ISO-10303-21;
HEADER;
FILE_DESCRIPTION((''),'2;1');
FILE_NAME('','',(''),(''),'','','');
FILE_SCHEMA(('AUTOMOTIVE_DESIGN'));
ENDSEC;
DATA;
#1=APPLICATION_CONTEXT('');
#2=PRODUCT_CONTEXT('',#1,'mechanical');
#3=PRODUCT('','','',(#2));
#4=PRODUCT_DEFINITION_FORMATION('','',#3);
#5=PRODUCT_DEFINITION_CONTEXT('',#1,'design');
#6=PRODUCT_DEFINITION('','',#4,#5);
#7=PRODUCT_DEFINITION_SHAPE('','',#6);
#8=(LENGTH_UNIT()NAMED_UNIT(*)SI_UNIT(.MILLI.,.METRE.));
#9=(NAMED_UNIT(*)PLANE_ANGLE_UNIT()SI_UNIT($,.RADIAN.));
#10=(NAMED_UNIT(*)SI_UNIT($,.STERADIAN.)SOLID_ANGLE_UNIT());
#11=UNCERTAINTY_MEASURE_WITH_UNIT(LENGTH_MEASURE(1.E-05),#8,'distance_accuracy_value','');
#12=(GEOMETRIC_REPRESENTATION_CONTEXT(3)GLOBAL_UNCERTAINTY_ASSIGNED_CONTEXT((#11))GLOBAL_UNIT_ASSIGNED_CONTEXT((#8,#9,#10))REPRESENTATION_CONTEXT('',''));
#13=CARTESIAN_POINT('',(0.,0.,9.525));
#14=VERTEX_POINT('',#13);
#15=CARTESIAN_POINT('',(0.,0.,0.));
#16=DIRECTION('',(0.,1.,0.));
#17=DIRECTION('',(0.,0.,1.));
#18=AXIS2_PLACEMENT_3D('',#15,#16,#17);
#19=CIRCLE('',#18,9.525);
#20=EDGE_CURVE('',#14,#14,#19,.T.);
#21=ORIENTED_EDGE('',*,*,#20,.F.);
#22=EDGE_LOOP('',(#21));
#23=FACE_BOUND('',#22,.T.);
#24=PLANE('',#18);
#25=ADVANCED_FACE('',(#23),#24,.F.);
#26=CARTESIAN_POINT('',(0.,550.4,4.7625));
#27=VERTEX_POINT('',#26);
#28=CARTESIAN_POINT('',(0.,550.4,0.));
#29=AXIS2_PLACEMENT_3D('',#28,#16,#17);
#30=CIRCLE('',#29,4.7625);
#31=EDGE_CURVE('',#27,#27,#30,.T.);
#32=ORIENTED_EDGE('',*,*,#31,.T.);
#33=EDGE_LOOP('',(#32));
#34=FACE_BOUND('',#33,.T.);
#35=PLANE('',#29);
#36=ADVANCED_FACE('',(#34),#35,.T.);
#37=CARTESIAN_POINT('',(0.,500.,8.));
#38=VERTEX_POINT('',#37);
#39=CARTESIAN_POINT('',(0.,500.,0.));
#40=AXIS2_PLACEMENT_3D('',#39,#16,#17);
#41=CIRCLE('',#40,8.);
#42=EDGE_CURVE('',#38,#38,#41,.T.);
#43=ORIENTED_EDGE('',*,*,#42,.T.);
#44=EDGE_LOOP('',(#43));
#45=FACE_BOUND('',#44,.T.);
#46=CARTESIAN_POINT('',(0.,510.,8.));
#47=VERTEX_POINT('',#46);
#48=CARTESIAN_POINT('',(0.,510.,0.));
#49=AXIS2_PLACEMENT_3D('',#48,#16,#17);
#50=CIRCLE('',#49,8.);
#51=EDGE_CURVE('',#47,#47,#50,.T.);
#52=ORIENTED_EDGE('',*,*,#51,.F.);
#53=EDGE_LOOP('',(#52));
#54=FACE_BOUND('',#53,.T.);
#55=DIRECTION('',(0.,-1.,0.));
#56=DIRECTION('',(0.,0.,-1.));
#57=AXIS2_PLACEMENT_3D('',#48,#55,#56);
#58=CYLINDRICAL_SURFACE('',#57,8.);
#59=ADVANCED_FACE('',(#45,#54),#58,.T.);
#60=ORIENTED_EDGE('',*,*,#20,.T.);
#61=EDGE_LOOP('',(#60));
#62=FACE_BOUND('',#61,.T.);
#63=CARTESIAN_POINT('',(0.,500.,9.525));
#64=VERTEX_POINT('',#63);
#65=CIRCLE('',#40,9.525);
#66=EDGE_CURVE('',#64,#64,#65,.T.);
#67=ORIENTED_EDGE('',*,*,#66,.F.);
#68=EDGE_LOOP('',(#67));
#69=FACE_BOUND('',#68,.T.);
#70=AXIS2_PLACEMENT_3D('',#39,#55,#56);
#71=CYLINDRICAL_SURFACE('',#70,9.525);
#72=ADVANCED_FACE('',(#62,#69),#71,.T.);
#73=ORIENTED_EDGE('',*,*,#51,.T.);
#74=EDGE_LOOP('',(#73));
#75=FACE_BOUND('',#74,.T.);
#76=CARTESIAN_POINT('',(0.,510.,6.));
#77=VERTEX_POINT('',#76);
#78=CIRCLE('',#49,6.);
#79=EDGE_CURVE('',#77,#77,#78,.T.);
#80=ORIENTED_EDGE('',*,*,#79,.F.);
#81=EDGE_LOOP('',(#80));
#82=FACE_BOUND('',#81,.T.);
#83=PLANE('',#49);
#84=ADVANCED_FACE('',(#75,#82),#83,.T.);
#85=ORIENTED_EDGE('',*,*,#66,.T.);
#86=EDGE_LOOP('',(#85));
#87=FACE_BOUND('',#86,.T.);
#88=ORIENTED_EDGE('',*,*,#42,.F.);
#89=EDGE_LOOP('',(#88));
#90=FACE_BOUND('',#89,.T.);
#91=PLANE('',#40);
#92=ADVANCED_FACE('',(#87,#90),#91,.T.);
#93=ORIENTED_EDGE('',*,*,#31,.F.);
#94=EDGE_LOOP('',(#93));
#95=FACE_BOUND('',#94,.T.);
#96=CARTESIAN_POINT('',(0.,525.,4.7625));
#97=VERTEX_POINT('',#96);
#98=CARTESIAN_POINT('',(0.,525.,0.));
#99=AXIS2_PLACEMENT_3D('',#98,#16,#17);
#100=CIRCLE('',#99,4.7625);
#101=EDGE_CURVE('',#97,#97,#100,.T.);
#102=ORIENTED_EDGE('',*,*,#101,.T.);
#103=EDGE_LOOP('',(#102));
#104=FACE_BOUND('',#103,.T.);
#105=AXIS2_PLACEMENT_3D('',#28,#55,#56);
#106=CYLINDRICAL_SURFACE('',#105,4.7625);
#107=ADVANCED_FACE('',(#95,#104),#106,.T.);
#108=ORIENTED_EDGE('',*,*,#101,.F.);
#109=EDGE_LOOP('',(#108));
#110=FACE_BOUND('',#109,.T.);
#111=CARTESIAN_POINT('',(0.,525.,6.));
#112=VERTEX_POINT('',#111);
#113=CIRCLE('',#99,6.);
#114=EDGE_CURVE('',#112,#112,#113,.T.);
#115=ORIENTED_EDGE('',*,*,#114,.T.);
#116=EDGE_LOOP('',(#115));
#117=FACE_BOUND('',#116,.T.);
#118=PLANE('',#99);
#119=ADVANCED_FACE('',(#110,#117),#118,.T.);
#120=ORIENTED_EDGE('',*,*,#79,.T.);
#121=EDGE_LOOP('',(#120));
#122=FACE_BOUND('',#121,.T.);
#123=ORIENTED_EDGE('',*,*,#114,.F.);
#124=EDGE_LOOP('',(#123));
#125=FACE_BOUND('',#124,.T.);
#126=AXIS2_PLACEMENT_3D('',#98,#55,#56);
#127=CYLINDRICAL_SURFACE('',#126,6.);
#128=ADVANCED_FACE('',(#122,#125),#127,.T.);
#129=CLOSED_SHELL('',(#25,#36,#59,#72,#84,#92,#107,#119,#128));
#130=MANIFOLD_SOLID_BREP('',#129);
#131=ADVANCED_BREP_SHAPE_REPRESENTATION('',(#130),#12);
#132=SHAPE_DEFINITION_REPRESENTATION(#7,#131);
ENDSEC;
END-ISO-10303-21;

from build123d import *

# Parameters (mm, degrees)
SKETCH1_R           = 9.525
BOSS_EXTRUDE1_DEPTH = 500
SKETCH2_R           = 8
BOSS_EXTRUDE2_DEPTH = 10
SKETCH3_R           = 6
BOSS_EXTRUDE3_DEPTH = 15
SKETCH4_R           = 4.7625
BOSS_EXTRUDE4_DEPTH = 25.4


with BuildPart() as part:
    # Sketch1 → Boss-Extrude1 (new body)
    with BuildSketch(Plane(origin=(0, 0, 0), x_dir=(1, 0, 0), z_dir=(0, 1, 0))):
        with Locations(Location((0, 0, 0), (0, 0, 270))):
            Circle(SKETCH1_R)
    extrude(amount=BOSS_EXTRUDE1_DEPTH)

    # Sketch2 → Boss-Extrude2 (add)
    with BuildSketch(Plane(origin=(0, 500, 0), x_dir=(1, 0, 0), z_dir=(0, 1, 0))):
        with Locations(Location((0, 0, 0), (0, 0, 270))):
            Circle(SKETCH2_R)
    extrude(amount=BOSS_EXTRUDE2_DEPTH)

    # Sketch3 → Boss-Extrude3 (add)
    with BuildSketch(Plane(origin=(0, 510, 0), x_dir=(1, 0, 0), z_dir=(0, 1, 0))):
        with Locations(Location((0, 0, 0), (0, 0, 270))):
            Circle(SKETCH3_R)
    extrude(amount=BOSS_EXTRUDE3_DEPTH)

    # Sketch4 → Boss-Extrude4 (add)
    with BuildSketch(Plane(origin=(0, 525, 0), x_dir=(1, 0, 0), z_dir=(0, 1, 0))):
        with Locations(Location((0, 0, 0), (0, 0, 270))):
            Circle(SKETCH4_R)
    extrude(amount=BOSS_EXTRUDE4_DEPTH)


solid = part.part
